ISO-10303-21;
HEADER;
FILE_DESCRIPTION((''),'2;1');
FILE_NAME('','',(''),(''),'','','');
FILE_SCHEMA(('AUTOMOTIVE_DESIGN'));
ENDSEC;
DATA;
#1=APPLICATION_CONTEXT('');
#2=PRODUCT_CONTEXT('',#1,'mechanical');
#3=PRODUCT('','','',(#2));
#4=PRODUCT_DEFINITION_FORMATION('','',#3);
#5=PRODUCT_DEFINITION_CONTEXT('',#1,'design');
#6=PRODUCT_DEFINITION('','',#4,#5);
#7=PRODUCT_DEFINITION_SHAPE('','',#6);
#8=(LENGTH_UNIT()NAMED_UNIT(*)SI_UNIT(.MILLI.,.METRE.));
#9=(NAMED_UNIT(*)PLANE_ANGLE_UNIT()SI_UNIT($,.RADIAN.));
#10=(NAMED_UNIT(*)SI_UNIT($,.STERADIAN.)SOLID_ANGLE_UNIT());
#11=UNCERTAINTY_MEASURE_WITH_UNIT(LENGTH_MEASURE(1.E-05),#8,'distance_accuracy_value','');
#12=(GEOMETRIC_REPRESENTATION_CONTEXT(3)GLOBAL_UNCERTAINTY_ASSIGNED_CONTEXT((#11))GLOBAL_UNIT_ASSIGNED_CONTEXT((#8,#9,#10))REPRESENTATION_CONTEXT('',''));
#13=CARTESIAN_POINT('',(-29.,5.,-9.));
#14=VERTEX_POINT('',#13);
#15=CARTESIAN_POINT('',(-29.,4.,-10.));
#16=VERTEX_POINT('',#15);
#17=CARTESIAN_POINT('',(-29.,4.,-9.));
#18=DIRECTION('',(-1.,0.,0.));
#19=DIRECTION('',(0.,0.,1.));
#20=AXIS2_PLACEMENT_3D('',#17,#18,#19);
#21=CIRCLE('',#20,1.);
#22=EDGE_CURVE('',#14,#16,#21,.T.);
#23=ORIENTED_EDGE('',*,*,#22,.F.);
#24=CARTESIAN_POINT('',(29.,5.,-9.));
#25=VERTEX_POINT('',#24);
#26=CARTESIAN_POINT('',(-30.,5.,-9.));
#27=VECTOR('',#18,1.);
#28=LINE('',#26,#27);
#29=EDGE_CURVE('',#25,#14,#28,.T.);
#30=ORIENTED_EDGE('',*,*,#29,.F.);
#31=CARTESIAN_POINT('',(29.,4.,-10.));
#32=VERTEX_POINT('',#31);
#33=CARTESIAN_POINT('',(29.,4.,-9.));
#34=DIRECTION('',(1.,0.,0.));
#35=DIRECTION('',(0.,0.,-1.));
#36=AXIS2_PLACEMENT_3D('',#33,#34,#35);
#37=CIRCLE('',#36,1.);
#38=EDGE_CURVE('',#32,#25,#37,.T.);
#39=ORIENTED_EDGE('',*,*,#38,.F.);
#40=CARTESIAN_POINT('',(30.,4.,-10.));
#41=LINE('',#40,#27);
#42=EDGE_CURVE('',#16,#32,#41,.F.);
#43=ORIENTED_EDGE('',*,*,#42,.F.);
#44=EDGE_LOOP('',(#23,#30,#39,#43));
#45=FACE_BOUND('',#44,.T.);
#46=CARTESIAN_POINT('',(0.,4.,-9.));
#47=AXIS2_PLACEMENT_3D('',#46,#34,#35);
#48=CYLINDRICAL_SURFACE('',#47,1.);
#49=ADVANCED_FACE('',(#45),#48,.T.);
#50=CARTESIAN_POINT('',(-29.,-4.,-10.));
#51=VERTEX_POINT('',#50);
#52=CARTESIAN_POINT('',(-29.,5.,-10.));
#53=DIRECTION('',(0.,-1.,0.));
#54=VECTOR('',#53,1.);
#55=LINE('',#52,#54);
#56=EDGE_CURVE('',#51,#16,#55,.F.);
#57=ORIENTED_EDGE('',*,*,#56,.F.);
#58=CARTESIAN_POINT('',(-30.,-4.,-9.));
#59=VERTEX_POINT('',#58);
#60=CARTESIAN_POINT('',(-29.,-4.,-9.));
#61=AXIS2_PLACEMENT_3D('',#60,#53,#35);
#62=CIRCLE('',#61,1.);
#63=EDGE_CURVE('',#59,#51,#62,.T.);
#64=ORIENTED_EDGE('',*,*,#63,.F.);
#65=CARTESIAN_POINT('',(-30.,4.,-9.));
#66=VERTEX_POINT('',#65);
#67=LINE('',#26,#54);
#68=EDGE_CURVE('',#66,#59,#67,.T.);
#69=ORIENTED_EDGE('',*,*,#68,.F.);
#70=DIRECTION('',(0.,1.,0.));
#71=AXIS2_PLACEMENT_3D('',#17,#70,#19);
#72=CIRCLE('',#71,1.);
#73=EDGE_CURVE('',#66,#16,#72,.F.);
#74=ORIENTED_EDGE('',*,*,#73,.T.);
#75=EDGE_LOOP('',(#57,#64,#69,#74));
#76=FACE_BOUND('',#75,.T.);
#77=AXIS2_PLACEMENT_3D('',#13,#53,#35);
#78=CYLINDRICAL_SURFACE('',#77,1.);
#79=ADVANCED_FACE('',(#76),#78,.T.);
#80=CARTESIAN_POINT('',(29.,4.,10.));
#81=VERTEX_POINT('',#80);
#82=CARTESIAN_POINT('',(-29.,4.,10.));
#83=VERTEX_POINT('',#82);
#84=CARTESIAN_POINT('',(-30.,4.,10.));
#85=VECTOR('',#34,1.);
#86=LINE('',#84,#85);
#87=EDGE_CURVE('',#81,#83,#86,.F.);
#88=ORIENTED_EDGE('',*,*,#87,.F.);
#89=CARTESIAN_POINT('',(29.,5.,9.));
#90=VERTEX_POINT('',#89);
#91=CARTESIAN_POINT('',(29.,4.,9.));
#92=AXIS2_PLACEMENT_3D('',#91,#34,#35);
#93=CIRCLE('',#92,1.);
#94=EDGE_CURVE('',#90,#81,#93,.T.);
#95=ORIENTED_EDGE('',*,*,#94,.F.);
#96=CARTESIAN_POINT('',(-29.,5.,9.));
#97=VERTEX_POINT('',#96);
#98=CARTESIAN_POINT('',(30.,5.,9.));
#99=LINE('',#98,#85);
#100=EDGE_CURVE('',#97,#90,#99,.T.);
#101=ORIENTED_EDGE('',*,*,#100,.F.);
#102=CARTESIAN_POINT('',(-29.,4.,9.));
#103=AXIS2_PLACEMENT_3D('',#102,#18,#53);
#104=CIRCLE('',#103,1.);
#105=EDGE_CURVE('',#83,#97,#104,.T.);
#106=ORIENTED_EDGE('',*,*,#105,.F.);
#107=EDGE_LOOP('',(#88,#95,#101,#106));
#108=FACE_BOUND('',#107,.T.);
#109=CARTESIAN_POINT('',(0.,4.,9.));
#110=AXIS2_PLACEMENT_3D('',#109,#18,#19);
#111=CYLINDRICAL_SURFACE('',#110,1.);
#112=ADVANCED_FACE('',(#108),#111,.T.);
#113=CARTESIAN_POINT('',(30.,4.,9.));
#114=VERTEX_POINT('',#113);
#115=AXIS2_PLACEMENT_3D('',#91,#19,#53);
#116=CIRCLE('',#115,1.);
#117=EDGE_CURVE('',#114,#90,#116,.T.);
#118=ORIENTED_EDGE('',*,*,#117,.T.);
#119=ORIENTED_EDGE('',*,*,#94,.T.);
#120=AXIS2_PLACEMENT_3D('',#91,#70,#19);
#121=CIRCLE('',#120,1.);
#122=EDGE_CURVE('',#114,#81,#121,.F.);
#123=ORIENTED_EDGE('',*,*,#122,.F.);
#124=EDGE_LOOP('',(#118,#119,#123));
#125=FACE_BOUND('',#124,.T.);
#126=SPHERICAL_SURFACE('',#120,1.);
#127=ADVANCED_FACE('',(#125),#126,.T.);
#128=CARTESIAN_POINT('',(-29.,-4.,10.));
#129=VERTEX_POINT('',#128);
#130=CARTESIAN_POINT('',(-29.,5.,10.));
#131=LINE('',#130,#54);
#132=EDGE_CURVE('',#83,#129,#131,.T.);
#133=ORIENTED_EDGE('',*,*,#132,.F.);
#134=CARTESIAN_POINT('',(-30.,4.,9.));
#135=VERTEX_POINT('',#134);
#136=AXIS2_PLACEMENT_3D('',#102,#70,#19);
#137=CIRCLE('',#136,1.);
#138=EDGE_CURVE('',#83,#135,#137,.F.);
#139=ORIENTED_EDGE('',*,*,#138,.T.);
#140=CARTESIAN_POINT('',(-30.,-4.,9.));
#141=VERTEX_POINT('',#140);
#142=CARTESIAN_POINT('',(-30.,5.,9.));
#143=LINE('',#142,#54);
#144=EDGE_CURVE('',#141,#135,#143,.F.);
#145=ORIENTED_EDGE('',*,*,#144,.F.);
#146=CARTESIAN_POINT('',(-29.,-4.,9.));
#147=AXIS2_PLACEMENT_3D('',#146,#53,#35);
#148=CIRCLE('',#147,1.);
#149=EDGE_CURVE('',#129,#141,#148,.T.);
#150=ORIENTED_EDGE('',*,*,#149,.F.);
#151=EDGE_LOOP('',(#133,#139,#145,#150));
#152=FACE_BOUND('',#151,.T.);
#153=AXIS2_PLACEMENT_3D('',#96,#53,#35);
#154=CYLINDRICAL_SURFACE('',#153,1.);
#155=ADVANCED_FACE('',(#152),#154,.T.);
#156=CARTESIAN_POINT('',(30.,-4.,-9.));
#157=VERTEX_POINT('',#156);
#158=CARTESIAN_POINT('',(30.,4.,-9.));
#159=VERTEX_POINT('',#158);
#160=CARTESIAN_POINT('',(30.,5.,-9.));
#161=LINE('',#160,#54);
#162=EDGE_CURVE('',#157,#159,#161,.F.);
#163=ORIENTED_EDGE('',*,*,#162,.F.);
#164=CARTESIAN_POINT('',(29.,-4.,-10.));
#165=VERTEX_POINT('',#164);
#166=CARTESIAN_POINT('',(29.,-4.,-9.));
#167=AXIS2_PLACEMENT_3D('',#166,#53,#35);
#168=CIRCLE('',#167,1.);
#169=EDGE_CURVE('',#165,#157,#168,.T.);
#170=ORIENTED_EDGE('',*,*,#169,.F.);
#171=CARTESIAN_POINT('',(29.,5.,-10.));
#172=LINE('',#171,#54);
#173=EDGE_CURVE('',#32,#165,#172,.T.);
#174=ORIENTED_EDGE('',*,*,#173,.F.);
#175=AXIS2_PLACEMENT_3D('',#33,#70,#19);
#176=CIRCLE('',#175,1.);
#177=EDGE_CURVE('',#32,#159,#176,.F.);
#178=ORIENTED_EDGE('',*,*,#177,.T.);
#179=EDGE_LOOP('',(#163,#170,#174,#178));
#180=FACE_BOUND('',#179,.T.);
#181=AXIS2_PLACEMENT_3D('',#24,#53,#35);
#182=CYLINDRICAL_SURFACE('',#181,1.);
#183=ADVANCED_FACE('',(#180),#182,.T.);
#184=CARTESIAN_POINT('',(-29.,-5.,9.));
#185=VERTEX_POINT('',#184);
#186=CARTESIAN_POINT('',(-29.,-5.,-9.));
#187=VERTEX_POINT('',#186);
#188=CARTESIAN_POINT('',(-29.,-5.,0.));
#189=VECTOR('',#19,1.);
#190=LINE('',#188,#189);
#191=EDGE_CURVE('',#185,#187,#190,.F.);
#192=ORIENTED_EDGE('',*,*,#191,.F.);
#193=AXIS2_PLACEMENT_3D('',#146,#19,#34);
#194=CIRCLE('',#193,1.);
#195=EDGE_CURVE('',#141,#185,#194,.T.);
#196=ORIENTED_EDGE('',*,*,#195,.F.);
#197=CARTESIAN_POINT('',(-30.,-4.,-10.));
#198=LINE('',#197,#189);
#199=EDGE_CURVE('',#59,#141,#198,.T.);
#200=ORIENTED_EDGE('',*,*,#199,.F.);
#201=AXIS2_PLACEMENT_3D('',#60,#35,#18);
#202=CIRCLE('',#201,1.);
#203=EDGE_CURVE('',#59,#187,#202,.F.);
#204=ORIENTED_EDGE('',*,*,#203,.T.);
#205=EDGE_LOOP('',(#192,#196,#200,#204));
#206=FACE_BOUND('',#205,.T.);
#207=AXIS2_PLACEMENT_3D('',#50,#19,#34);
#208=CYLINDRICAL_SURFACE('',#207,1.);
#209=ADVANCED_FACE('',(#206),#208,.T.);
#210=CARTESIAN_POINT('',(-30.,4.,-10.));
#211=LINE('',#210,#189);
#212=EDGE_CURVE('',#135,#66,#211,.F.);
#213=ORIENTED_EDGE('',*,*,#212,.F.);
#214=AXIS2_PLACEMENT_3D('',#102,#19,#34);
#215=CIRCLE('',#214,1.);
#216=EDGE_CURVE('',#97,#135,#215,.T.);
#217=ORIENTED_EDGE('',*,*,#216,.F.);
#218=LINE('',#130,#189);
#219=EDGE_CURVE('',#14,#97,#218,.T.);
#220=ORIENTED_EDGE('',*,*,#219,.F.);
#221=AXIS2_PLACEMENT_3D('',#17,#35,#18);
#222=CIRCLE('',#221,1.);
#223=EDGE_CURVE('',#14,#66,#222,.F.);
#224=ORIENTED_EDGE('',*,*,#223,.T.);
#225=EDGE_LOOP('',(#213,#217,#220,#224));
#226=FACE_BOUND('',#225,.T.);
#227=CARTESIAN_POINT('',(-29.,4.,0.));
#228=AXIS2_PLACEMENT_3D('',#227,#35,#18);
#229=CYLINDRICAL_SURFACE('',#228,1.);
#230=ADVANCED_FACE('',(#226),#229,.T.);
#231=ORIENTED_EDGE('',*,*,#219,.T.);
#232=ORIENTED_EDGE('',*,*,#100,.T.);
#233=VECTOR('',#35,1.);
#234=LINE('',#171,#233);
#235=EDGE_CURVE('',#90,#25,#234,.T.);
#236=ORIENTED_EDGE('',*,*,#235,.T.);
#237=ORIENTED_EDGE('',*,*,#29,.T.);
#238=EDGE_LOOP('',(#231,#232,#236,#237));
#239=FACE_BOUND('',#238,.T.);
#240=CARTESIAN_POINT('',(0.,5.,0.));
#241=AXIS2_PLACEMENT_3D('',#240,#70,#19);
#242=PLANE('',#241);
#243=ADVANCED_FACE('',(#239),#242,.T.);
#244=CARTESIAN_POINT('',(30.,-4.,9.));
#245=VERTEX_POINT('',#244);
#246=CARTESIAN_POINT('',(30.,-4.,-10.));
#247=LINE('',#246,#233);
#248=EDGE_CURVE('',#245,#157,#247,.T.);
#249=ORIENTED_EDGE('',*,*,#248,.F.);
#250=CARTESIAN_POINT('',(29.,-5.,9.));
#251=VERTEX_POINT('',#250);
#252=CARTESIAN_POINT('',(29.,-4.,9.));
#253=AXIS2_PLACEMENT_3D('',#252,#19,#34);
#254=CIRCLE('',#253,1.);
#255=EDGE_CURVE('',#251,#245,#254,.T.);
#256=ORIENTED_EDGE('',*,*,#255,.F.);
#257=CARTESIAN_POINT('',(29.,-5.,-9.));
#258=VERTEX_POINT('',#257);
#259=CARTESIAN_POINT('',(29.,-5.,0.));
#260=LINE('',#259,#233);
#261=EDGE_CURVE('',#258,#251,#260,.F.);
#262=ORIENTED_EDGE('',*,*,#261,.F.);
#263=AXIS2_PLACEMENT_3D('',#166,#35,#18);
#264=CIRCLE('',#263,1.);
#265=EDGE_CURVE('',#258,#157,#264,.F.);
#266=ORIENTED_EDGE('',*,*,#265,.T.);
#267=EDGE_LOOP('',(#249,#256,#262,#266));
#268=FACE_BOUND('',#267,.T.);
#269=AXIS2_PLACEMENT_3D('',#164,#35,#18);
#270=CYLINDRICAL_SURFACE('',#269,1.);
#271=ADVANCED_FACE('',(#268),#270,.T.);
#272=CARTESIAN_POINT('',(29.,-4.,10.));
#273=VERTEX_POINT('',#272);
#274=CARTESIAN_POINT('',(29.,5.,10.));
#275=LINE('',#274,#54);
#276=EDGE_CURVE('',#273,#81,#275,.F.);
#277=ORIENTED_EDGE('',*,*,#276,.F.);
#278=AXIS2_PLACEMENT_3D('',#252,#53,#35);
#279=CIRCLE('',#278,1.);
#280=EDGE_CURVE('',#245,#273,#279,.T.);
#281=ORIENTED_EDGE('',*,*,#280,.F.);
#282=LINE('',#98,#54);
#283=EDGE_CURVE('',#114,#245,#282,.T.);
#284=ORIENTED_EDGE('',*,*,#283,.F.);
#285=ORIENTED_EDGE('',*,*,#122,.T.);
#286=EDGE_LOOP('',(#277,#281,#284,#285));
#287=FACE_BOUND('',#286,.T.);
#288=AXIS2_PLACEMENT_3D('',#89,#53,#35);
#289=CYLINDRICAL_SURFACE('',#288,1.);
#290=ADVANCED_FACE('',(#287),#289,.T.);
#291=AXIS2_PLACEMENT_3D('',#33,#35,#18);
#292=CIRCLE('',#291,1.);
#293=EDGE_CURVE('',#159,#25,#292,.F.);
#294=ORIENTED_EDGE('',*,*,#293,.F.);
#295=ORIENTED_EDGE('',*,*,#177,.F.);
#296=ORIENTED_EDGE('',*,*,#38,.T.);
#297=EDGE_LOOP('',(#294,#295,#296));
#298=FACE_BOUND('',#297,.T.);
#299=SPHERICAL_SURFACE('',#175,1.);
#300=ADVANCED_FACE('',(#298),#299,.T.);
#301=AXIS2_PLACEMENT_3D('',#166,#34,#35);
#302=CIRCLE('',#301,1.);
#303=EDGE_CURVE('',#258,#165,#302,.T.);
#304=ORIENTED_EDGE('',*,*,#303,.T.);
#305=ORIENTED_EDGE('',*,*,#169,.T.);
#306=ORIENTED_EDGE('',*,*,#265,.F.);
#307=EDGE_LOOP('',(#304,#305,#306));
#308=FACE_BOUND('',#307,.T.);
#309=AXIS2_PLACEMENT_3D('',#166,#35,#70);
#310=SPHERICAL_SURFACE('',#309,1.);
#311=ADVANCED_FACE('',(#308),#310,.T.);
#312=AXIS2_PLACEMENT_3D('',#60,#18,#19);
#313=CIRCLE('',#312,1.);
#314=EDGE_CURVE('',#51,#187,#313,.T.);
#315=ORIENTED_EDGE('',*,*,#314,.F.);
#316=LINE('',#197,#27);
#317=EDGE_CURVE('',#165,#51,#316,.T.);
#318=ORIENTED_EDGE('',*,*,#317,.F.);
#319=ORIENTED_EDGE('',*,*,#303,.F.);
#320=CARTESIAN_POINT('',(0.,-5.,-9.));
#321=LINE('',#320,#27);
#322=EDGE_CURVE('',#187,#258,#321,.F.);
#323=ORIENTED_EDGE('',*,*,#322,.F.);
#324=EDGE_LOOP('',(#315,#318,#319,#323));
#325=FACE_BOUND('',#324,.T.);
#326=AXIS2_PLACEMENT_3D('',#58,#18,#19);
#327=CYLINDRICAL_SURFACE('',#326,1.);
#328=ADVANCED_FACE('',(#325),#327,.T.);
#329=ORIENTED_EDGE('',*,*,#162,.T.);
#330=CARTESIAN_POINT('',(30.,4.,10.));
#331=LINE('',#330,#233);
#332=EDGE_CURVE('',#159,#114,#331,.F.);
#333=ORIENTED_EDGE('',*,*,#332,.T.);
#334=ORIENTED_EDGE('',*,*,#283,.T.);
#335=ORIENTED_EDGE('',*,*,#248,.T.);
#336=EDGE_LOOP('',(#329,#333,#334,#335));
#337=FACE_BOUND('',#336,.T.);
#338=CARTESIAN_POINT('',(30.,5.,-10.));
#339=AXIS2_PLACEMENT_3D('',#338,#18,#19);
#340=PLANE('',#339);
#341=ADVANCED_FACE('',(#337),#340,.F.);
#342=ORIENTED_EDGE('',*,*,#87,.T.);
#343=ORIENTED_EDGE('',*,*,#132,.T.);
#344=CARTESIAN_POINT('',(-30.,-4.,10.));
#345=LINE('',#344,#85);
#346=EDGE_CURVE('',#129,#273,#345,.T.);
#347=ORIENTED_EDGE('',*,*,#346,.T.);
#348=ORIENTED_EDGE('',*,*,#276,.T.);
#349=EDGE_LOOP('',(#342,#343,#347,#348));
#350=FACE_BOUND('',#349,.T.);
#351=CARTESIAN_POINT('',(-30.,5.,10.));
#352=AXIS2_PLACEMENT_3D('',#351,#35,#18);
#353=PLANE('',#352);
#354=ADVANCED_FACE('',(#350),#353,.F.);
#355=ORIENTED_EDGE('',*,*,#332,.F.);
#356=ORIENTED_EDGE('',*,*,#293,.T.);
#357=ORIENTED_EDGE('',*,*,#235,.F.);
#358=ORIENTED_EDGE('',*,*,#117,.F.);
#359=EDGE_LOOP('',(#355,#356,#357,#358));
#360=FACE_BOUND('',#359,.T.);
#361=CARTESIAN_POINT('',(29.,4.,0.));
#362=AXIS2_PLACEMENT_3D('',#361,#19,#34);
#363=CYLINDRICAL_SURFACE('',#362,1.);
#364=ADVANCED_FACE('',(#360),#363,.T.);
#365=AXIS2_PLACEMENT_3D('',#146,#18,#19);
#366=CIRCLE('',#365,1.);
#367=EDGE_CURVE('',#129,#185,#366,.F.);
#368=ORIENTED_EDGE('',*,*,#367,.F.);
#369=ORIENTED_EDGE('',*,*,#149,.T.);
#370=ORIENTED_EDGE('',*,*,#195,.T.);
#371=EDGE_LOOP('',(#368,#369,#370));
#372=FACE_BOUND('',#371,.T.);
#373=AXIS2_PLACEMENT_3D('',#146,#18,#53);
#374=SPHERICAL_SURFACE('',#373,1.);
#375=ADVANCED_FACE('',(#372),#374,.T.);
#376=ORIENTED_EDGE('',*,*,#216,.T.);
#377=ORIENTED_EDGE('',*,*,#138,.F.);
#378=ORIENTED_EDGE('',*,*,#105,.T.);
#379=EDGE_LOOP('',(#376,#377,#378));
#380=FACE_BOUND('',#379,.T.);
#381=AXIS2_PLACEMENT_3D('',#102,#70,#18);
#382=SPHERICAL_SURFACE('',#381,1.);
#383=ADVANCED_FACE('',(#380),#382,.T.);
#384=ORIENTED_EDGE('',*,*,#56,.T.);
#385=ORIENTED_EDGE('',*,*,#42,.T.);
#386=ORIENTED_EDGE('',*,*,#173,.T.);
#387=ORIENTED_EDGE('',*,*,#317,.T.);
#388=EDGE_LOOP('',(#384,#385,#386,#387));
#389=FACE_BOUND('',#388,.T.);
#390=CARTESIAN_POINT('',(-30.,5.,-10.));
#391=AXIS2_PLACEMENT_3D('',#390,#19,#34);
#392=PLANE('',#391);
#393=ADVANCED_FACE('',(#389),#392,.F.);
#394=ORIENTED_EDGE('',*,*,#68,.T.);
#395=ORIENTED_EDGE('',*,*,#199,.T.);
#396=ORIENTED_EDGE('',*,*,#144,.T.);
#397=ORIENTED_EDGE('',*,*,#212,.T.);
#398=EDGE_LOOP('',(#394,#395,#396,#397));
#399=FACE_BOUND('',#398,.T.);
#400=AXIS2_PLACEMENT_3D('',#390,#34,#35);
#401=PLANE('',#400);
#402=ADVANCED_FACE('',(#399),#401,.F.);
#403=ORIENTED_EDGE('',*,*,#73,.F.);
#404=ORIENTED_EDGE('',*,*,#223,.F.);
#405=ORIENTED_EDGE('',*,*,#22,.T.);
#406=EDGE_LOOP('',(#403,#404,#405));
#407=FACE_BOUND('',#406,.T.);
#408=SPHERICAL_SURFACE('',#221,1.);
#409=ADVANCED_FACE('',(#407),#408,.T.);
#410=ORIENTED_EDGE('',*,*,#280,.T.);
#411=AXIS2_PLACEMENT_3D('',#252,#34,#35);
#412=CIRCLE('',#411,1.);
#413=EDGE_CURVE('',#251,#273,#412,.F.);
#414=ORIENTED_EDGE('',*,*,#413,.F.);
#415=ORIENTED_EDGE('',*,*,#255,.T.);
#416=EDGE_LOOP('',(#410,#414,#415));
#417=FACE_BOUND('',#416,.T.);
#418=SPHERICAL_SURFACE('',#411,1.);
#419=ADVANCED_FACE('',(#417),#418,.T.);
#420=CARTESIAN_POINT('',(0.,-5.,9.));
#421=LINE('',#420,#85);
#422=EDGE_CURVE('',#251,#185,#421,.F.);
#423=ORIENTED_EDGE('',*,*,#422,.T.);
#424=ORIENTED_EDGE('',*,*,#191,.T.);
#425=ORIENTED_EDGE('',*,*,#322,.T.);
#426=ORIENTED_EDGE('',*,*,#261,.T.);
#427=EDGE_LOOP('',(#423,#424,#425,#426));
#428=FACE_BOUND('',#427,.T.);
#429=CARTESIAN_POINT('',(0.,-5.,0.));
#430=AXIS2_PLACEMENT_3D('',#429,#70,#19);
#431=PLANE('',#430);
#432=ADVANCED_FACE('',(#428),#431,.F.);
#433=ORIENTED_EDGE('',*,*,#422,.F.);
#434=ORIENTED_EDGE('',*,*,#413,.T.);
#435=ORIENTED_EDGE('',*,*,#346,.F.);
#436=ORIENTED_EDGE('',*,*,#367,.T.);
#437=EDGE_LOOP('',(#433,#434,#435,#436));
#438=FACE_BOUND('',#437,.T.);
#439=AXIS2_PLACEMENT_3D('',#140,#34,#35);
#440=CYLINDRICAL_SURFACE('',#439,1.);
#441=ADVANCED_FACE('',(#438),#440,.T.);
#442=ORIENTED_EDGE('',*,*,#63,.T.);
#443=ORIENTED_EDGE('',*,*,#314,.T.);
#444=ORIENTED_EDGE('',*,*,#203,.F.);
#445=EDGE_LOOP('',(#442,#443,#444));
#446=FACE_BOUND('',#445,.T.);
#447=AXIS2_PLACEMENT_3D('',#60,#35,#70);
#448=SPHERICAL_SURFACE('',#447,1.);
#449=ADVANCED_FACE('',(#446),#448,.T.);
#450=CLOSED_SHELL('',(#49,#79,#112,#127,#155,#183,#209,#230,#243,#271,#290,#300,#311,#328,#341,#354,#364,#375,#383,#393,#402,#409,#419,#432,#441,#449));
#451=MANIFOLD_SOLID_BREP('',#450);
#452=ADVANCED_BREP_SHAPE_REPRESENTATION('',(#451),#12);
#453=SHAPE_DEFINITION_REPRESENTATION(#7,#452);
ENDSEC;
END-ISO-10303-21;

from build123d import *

# Parameters (mm, degrees)
SKETCH1_W           = 60
SKETCH1_H           = 20
BOSS_EXTRUDE1_DEPTH = 5
FILLET1_R           = 1


with BuildPart() as part:
    # Sketch1 → Boss-Extrude1 (new, symmetric)
    with BuildSketch(Plane(origin=(0, 0, 0), x_dir=(1, 0, 0), z_dir=(0, 1, 0))):
        Rectangle(SKETCH1_W, SKETCH1_H)
    extrude(amount=BOSS_EXTRUDE1_DEPTH, both=True)

    # Fillet1
    fillet1_edges = [part.edges().sort_by_distance(p)[0] for p in [
        (-30, 5, 0),
        (0, 5, 10),
        (30, 5, 0),
        (0, -5, 10),
        (-30, -5, 0),
        (0, -5, -10),
        (30, -5, 0),
        (30, 0, 10),
        (-30, 0, 10),
        (-30, 0, -10),
        (30, 0, -10),
        (0, 5, -10),
    ]]
    fillet(fillet1_edges, radius=FILLET1_R)


solid = part.part
